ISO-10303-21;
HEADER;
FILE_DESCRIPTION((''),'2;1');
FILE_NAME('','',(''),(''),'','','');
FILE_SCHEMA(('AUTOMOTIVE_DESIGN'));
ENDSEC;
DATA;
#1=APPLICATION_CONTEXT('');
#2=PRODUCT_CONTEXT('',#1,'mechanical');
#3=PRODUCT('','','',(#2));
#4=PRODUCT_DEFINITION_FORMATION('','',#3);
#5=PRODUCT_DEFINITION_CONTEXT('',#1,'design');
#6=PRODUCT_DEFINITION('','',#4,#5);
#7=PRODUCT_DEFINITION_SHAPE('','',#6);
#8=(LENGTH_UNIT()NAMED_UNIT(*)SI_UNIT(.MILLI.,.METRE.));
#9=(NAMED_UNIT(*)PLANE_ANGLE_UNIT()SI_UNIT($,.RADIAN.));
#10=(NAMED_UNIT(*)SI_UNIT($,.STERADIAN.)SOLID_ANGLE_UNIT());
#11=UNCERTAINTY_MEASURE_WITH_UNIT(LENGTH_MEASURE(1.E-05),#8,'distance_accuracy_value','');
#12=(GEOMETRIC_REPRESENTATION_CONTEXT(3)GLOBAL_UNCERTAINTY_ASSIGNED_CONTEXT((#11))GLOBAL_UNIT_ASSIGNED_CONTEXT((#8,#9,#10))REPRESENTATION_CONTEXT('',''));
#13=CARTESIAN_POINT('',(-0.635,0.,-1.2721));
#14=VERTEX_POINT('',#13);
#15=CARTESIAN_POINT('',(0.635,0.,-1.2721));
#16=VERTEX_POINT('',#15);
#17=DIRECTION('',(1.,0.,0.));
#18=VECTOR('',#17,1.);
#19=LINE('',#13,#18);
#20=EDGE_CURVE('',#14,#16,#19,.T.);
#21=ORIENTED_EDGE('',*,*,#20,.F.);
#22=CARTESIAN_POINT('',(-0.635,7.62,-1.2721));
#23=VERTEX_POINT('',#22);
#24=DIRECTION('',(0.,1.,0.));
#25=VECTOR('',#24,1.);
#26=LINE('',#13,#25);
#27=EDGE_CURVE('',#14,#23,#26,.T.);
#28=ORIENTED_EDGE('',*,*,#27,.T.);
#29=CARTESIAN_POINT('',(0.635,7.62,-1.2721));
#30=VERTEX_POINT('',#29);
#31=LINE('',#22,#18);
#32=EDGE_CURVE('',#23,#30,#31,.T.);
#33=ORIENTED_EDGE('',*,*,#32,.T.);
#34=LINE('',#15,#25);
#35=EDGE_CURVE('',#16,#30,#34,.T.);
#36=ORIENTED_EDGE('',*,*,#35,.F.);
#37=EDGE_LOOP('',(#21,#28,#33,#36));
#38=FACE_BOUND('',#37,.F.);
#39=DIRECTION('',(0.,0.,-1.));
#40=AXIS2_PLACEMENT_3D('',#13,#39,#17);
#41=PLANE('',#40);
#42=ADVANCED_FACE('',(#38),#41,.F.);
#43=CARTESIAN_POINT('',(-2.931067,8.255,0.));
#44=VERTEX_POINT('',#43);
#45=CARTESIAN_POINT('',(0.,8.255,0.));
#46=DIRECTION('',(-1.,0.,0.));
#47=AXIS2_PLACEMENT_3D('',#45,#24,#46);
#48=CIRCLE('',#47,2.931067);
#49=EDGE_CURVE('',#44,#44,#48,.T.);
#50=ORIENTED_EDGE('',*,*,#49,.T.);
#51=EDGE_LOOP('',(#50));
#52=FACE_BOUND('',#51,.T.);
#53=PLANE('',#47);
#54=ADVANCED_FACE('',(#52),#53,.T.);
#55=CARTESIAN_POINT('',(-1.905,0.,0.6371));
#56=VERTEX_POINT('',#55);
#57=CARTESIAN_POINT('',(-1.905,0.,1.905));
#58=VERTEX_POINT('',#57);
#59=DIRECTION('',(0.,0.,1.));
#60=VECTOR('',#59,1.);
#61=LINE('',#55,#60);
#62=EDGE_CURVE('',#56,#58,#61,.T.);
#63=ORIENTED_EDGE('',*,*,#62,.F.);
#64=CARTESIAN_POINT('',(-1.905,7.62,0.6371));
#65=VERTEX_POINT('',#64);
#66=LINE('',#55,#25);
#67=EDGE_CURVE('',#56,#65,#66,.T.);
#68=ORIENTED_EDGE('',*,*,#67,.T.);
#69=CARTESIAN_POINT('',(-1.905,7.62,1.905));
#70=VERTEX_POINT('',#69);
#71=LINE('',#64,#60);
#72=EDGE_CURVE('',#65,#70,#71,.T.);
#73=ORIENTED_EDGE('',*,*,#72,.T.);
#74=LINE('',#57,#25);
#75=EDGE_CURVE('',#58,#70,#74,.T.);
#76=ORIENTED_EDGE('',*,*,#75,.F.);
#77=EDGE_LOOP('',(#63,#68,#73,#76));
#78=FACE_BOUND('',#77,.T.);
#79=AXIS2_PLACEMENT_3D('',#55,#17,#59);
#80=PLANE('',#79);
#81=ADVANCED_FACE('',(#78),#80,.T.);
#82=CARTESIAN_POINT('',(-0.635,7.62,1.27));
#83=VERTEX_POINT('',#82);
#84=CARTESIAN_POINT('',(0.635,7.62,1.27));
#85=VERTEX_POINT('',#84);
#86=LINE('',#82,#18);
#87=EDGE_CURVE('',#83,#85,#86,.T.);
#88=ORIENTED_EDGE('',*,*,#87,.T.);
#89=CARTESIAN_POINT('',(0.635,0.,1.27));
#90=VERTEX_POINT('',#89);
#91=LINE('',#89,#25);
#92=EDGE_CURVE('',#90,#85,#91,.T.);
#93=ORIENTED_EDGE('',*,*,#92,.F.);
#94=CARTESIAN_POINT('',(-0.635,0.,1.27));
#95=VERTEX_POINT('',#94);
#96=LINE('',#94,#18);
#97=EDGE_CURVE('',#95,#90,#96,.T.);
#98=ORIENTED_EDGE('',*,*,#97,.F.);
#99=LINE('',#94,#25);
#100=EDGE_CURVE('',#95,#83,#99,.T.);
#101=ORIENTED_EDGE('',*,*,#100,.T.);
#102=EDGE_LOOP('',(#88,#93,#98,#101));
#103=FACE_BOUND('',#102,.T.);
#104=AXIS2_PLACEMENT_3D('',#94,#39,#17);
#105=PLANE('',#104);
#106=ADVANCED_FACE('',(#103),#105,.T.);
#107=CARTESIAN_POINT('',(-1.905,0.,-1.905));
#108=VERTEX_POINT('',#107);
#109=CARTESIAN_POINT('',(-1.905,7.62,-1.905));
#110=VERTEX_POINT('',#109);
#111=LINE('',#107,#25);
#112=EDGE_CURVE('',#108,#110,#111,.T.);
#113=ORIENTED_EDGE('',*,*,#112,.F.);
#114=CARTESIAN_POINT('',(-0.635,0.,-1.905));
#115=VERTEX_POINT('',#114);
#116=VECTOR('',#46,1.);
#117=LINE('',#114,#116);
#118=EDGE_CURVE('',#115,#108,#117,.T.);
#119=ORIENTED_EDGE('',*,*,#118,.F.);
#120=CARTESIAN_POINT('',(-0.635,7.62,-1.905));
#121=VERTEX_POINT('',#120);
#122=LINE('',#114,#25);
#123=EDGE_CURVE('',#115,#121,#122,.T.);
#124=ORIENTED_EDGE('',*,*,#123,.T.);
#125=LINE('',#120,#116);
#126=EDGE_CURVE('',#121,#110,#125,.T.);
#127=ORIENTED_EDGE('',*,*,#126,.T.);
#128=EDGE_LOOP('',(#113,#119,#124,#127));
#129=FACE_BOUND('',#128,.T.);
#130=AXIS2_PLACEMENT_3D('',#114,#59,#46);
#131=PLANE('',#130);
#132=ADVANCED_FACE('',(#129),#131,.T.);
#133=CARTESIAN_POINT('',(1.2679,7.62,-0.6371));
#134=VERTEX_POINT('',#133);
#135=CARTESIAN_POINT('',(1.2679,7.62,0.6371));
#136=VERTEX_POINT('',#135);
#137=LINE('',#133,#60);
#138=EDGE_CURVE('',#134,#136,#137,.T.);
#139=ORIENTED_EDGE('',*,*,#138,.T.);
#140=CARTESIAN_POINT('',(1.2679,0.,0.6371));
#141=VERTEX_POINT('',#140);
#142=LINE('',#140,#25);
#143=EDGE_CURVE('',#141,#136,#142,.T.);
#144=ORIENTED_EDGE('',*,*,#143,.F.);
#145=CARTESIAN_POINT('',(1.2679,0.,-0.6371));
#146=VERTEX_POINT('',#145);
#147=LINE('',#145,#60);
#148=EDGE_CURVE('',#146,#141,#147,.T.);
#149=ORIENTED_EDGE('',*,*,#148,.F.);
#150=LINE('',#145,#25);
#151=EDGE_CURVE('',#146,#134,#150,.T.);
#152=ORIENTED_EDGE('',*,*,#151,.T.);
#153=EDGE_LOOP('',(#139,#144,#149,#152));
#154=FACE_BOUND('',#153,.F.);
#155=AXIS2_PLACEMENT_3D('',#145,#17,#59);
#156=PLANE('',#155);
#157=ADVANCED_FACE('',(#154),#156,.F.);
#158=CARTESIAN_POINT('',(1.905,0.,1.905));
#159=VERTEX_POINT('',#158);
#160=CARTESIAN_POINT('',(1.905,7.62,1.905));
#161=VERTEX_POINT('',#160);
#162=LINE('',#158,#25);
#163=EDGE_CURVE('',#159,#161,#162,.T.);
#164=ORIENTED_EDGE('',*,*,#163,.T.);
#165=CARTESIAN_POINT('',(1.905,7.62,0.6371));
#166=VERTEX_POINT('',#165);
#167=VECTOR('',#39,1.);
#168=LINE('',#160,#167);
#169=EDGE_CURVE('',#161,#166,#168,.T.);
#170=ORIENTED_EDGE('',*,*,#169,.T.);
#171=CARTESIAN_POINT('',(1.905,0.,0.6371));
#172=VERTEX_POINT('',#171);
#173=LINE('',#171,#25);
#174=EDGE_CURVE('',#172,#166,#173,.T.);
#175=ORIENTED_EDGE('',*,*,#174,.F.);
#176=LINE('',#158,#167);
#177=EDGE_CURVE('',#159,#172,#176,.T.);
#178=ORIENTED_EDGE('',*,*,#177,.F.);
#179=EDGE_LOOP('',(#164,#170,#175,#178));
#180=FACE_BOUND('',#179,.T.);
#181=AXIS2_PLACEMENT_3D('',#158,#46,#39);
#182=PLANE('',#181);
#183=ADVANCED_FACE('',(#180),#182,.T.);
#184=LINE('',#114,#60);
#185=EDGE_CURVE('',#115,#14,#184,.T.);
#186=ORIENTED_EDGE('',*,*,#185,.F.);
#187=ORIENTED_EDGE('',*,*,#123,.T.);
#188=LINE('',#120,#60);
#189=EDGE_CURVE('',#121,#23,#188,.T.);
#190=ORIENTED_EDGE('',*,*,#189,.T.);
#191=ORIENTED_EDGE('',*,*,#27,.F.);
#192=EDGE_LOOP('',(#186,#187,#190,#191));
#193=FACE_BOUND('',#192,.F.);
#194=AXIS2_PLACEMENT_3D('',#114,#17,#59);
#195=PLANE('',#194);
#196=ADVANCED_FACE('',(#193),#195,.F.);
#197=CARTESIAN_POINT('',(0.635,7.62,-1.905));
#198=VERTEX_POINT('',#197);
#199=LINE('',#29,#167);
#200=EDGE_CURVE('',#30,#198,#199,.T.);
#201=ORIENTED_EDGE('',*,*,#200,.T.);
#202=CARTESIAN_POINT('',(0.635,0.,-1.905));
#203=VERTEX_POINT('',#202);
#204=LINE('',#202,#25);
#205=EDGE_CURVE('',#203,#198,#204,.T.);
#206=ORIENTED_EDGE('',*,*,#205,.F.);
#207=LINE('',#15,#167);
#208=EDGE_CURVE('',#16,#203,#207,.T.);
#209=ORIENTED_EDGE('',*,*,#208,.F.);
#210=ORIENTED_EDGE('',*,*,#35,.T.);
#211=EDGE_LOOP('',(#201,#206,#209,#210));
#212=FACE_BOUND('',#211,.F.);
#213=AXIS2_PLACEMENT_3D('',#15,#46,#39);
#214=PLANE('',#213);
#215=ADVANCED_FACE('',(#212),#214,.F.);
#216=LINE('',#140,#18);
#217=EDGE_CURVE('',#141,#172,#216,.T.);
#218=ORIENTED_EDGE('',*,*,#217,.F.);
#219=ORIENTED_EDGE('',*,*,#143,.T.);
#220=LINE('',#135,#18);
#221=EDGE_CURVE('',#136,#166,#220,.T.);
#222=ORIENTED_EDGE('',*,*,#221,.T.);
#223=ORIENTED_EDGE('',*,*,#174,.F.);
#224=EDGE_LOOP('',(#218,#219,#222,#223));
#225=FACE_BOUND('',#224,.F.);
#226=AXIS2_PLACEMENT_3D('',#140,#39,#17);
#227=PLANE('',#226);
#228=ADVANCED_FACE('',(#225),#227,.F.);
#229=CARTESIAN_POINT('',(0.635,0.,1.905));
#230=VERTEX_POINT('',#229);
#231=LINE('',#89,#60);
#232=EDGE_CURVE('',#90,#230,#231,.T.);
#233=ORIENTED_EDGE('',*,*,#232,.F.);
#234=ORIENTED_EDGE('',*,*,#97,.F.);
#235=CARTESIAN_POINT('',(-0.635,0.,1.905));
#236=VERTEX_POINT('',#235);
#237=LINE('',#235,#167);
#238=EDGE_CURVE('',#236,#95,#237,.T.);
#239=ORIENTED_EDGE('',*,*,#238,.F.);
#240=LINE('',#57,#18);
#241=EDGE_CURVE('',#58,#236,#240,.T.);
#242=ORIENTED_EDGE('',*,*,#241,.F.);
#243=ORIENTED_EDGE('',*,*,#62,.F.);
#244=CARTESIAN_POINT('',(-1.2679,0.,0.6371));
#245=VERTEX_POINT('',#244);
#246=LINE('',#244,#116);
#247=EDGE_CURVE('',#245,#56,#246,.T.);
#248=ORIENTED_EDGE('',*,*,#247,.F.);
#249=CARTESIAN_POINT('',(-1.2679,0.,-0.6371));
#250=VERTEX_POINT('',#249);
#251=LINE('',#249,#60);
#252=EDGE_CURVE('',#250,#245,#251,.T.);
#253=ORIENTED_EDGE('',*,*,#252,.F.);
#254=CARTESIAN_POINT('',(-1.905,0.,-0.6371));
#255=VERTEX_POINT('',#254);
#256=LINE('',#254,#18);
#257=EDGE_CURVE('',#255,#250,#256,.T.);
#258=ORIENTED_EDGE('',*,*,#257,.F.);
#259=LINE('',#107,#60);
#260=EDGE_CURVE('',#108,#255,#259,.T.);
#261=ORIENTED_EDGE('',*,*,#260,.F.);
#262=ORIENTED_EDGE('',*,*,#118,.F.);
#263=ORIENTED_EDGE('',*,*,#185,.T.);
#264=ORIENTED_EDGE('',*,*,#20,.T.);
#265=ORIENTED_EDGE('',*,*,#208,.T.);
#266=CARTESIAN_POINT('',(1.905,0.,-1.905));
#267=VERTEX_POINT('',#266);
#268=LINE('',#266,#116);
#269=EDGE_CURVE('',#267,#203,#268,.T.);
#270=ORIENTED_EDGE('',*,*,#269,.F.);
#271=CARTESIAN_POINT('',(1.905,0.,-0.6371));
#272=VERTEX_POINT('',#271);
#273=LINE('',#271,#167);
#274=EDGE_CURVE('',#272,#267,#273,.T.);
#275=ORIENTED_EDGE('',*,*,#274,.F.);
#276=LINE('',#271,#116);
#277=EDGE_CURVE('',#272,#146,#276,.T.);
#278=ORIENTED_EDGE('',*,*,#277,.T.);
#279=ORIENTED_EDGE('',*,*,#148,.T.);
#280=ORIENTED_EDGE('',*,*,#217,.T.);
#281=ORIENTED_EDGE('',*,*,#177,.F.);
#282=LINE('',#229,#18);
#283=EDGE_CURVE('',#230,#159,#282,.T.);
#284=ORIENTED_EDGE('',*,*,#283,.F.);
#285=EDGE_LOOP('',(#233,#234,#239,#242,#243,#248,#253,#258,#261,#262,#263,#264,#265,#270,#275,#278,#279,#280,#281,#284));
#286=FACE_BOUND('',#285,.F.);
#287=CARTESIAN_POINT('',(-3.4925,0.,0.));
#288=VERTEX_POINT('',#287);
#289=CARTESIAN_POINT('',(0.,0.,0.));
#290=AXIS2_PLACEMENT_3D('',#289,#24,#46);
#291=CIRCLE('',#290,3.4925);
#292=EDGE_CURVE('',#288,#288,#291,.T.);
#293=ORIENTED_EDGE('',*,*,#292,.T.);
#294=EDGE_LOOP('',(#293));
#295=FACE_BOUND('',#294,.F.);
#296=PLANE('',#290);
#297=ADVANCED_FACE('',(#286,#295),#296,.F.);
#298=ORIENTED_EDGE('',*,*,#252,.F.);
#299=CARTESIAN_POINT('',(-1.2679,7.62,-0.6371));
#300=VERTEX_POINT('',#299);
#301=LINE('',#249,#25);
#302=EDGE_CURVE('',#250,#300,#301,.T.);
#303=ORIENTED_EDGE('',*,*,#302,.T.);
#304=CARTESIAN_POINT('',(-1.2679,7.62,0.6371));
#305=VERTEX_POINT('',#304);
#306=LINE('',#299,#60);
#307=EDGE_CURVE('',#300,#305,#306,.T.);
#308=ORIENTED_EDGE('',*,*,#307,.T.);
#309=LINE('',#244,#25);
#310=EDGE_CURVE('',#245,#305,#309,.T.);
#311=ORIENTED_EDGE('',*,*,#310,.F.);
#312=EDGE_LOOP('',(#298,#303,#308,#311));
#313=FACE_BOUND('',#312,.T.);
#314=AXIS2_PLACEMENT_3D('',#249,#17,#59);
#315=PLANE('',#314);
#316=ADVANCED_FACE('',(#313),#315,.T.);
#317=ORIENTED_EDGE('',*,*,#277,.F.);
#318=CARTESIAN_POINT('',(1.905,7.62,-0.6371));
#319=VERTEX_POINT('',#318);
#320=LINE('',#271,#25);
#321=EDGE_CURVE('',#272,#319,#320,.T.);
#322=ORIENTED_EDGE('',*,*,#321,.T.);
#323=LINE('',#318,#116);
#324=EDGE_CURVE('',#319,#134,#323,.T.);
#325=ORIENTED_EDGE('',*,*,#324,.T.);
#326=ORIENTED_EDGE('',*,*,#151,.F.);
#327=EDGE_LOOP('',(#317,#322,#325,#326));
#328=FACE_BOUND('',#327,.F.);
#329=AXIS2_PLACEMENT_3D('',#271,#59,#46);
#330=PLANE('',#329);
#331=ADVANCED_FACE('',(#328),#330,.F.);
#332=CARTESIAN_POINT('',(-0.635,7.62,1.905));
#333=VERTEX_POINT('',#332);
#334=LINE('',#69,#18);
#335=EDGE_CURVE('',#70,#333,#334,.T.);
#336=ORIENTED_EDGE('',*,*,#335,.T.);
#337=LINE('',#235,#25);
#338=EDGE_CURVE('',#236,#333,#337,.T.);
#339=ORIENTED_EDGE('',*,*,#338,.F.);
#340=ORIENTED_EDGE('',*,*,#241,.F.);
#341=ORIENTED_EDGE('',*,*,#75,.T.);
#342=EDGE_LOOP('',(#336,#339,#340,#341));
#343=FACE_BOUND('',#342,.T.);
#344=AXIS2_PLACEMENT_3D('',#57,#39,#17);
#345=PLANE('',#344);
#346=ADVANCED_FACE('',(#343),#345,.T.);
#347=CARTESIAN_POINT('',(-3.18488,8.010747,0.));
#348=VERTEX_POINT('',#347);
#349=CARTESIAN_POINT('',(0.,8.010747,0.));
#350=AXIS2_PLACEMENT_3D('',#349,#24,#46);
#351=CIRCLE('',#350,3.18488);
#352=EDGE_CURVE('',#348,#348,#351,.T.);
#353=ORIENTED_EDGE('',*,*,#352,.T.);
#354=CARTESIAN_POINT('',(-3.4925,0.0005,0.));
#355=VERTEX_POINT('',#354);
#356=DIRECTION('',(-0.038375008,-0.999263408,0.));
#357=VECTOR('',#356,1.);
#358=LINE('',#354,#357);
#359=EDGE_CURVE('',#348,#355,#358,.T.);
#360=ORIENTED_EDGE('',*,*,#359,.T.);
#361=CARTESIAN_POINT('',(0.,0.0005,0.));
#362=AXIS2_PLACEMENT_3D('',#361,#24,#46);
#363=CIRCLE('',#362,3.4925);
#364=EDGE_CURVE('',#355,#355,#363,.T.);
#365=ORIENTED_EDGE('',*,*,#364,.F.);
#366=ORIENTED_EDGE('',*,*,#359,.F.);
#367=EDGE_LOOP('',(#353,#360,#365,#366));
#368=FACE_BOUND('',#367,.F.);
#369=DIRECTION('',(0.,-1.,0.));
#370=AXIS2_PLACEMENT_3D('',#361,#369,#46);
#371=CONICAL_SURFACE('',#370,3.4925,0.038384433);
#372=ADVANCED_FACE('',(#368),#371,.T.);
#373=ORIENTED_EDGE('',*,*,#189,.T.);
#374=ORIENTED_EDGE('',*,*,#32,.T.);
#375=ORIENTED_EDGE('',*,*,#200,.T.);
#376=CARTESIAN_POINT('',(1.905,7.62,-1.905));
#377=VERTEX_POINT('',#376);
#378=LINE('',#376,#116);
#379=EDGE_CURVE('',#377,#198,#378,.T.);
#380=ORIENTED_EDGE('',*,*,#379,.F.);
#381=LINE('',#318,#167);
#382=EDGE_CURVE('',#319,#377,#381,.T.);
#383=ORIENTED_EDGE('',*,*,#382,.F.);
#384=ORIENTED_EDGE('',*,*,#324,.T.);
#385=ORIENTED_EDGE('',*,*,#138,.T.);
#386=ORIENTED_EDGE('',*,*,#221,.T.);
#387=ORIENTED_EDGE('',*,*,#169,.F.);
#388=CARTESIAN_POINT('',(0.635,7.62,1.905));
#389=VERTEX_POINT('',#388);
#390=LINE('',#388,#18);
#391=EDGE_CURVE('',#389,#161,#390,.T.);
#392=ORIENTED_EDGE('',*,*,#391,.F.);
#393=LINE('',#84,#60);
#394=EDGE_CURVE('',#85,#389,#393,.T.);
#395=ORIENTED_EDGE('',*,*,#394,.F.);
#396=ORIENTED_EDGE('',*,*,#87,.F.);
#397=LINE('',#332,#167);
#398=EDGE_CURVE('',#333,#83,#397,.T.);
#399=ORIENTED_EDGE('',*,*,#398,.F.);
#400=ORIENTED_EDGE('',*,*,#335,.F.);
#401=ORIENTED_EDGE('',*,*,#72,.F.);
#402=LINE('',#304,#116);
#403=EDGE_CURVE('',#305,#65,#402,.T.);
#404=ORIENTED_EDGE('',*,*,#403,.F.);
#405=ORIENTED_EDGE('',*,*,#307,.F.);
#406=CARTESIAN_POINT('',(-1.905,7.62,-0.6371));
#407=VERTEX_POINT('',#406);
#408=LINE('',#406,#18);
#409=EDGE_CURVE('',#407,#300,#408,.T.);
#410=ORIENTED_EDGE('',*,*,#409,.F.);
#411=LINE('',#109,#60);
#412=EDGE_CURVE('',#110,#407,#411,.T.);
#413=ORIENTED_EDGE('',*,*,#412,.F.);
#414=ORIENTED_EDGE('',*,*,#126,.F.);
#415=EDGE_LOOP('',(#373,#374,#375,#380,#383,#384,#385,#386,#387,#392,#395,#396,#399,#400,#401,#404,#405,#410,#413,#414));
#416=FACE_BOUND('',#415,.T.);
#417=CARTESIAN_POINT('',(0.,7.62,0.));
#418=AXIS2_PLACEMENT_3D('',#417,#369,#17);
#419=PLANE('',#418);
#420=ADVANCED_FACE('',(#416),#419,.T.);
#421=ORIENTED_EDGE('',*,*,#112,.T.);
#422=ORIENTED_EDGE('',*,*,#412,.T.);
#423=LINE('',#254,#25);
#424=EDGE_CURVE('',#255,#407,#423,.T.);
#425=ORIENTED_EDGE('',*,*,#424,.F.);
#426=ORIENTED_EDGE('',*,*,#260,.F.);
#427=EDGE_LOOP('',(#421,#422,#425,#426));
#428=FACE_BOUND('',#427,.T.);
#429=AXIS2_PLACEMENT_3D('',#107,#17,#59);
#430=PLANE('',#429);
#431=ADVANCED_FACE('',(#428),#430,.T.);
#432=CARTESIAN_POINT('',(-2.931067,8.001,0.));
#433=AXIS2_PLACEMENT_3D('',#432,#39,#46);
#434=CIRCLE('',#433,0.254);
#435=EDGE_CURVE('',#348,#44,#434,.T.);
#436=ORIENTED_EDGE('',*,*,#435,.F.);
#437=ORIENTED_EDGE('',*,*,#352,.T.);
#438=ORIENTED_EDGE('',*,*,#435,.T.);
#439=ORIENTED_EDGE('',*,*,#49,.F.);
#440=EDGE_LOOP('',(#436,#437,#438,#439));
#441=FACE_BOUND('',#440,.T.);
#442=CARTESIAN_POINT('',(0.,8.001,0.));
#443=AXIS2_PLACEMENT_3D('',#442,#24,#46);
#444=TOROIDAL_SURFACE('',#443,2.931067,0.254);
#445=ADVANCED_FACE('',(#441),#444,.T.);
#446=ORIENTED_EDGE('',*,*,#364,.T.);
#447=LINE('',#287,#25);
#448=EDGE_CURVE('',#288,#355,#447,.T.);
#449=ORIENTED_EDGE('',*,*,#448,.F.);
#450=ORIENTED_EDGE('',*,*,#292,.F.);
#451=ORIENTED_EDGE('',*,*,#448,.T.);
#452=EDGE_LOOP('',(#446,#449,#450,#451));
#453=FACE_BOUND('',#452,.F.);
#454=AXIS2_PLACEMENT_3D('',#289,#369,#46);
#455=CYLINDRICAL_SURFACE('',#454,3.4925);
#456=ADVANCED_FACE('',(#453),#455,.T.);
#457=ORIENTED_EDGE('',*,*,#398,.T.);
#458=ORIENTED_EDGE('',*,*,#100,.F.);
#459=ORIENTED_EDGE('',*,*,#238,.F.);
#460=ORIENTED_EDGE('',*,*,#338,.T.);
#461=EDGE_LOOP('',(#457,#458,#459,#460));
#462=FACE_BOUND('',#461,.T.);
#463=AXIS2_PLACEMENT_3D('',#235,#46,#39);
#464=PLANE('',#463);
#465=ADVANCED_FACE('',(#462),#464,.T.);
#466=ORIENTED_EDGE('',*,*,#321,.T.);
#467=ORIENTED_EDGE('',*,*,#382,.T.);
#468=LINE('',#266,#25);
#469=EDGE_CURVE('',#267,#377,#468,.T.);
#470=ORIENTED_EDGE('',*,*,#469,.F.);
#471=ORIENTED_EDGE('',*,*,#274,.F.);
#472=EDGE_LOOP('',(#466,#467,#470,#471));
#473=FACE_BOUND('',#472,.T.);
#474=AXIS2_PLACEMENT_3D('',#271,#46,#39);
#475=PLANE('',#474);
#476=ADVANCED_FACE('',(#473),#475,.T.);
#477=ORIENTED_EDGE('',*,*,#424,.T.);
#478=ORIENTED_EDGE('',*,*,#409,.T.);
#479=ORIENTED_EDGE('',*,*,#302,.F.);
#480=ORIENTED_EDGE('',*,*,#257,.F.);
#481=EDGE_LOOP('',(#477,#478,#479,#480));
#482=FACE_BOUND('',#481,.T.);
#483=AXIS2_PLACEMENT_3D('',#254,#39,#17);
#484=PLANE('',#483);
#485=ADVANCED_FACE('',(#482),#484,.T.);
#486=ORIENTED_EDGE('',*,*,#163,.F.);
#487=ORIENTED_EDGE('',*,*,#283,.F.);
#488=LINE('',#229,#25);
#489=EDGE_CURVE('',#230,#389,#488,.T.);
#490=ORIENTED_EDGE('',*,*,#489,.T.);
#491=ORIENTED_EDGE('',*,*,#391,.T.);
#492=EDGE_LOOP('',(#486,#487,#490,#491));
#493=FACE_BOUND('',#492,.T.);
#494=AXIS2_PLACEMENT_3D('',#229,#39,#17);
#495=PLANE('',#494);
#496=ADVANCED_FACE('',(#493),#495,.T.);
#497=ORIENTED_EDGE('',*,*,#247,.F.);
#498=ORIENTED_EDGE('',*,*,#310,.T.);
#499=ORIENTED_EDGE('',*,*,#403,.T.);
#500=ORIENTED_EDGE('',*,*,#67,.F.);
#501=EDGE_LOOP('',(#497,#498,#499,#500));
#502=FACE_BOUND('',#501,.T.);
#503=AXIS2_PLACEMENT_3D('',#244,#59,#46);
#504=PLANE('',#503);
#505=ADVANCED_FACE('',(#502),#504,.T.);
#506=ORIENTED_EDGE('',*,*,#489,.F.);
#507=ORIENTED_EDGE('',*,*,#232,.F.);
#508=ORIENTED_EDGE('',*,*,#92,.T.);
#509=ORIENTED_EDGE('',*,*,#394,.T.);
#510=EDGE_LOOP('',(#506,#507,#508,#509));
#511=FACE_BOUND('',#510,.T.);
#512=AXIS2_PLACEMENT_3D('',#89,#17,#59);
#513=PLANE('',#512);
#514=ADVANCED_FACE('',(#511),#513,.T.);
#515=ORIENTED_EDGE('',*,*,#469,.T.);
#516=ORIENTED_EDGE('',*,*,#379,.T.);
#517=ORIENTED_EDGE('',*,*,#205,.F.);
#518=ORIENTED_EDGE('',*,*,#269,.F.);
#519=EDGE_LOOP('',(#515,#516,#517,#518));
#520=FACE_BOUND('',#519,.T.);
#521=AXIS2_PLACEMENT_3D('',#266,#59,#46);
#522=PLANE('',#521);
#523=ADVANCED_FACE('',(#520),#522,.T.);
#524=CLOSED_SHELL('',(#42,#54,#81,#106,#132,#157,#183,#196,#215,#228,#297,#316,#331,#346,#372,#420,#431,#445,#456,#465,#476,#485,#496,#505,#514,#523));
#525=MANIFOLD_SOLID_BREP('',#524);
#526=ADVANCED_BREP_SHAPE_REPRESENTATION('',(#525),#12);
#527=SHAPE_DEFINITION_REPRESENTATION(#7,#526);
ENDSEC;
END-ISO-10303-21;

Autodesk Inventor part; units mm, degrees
ref_plane "YZ Plane" through (0, 0, 0) normal (1, 0, 0) x (0, 1, 0)
ref_plane "XZ Plane" through (0, 0, 0) normal (0, 1, 0) x (-1, 0, 0)
ref_plane "XY Plane" through (0, 0, 0) normal (0, 0, 1) x (1, 0, 0)
sketch "Náčrt1" plane through (0, 0, 0) normal (0, 1, 0) x (-1, 0, 0)
  circle A0 centre (0, 0) radius 3.4925
  dimension "d0" = 6.985
extrude "Vysunutí1" add sketch "Náčrt1" along normal blind 8.255
chamfer "Zkosení1" distance 0.3175 distance2 8.255 1 edges at (3.4925, 8.255, 0) measured on face at (-1.152, 8.255, -0.772)
sketch "Náčrt2" plane through (0, 0, 0) normal (0, -1, 0) x (1, 0, 0)
  circle A0 centre (0, 0) radius 3.4925 projected
  line L0 (1.905, -1.905) -> (-1.905, 1.905) construction
  line L1 (-1.905, -1.905) -> (1.905, 1.905) construction
  line L2 (-0.635, 1.905) -> (-0.635, 1.27)
  line L3 (-0.635, 1.27) -> (0.635, 1.27)
  line L4 (0.635, 1.27) -> (0.635, 1.905)
  line L5 (-0.635, -1.905) -> (-0.635, -1.2721)
  line L6 (-0.635, -1.2721) -> (0.635, -1.2721)
  line L7 (0.635, -1.2721) -> (0.635, -1.905)
  line L8 (-1.905, -0.6371) -> (-1.2679, -0.6371)
  line L9 (-1.2679, -0.6371) -> (-1.2679, 0.6371)
  line L10 (-1.2679, 0.6371) -> (-1.905, 0.6371)
  line L11 (1.905, -0.6371) -> (1.2679, -0.6371)
  line L12 (1.2679, -0.6371) -> (1.2679, 0.6371)
  line L13 (1.2679, 0.6371) -> (1.905, 0.6371)
  line L14 (-1.905, -1.905) -> (-1.905, -0.6371)
  line L15 (-1.905, 0.6371) -> (-1.905, 1.905)
  line L16 (-1.905, 1.905) -> (-0.635, 1.905)
  line L17 (0.635, 1.905) -> (1.905, 1.905)
  line L18 (1.905, -1.905) -> (0.635, -1.905)
  line L19 (-0.635, -1.905) -> (-1.905, -1.905)
  line L20 (1.905, 1.905) -> (1.905, 0.6371)
  line L21 (1.905, -0.6371) -> (1.905, -1.905)
  dimension "d6" = 3.81
  dimension "d7" = 3.81
extrude "Vysunutí2" cut sketch "Náčrt2" against normal blind 7.62 contours L2 L3 L4 L17 L20 L13 L12 L11 L21 L18 L7 L6 L5 L19 L14 L8 L9 L10 L15 L16
fillet "Zaoblení1" radius 0.254 1 edges at (3.1755, 8.255, 0)
properties part number "2P1-2TB-B201A-Z_button_circle"
